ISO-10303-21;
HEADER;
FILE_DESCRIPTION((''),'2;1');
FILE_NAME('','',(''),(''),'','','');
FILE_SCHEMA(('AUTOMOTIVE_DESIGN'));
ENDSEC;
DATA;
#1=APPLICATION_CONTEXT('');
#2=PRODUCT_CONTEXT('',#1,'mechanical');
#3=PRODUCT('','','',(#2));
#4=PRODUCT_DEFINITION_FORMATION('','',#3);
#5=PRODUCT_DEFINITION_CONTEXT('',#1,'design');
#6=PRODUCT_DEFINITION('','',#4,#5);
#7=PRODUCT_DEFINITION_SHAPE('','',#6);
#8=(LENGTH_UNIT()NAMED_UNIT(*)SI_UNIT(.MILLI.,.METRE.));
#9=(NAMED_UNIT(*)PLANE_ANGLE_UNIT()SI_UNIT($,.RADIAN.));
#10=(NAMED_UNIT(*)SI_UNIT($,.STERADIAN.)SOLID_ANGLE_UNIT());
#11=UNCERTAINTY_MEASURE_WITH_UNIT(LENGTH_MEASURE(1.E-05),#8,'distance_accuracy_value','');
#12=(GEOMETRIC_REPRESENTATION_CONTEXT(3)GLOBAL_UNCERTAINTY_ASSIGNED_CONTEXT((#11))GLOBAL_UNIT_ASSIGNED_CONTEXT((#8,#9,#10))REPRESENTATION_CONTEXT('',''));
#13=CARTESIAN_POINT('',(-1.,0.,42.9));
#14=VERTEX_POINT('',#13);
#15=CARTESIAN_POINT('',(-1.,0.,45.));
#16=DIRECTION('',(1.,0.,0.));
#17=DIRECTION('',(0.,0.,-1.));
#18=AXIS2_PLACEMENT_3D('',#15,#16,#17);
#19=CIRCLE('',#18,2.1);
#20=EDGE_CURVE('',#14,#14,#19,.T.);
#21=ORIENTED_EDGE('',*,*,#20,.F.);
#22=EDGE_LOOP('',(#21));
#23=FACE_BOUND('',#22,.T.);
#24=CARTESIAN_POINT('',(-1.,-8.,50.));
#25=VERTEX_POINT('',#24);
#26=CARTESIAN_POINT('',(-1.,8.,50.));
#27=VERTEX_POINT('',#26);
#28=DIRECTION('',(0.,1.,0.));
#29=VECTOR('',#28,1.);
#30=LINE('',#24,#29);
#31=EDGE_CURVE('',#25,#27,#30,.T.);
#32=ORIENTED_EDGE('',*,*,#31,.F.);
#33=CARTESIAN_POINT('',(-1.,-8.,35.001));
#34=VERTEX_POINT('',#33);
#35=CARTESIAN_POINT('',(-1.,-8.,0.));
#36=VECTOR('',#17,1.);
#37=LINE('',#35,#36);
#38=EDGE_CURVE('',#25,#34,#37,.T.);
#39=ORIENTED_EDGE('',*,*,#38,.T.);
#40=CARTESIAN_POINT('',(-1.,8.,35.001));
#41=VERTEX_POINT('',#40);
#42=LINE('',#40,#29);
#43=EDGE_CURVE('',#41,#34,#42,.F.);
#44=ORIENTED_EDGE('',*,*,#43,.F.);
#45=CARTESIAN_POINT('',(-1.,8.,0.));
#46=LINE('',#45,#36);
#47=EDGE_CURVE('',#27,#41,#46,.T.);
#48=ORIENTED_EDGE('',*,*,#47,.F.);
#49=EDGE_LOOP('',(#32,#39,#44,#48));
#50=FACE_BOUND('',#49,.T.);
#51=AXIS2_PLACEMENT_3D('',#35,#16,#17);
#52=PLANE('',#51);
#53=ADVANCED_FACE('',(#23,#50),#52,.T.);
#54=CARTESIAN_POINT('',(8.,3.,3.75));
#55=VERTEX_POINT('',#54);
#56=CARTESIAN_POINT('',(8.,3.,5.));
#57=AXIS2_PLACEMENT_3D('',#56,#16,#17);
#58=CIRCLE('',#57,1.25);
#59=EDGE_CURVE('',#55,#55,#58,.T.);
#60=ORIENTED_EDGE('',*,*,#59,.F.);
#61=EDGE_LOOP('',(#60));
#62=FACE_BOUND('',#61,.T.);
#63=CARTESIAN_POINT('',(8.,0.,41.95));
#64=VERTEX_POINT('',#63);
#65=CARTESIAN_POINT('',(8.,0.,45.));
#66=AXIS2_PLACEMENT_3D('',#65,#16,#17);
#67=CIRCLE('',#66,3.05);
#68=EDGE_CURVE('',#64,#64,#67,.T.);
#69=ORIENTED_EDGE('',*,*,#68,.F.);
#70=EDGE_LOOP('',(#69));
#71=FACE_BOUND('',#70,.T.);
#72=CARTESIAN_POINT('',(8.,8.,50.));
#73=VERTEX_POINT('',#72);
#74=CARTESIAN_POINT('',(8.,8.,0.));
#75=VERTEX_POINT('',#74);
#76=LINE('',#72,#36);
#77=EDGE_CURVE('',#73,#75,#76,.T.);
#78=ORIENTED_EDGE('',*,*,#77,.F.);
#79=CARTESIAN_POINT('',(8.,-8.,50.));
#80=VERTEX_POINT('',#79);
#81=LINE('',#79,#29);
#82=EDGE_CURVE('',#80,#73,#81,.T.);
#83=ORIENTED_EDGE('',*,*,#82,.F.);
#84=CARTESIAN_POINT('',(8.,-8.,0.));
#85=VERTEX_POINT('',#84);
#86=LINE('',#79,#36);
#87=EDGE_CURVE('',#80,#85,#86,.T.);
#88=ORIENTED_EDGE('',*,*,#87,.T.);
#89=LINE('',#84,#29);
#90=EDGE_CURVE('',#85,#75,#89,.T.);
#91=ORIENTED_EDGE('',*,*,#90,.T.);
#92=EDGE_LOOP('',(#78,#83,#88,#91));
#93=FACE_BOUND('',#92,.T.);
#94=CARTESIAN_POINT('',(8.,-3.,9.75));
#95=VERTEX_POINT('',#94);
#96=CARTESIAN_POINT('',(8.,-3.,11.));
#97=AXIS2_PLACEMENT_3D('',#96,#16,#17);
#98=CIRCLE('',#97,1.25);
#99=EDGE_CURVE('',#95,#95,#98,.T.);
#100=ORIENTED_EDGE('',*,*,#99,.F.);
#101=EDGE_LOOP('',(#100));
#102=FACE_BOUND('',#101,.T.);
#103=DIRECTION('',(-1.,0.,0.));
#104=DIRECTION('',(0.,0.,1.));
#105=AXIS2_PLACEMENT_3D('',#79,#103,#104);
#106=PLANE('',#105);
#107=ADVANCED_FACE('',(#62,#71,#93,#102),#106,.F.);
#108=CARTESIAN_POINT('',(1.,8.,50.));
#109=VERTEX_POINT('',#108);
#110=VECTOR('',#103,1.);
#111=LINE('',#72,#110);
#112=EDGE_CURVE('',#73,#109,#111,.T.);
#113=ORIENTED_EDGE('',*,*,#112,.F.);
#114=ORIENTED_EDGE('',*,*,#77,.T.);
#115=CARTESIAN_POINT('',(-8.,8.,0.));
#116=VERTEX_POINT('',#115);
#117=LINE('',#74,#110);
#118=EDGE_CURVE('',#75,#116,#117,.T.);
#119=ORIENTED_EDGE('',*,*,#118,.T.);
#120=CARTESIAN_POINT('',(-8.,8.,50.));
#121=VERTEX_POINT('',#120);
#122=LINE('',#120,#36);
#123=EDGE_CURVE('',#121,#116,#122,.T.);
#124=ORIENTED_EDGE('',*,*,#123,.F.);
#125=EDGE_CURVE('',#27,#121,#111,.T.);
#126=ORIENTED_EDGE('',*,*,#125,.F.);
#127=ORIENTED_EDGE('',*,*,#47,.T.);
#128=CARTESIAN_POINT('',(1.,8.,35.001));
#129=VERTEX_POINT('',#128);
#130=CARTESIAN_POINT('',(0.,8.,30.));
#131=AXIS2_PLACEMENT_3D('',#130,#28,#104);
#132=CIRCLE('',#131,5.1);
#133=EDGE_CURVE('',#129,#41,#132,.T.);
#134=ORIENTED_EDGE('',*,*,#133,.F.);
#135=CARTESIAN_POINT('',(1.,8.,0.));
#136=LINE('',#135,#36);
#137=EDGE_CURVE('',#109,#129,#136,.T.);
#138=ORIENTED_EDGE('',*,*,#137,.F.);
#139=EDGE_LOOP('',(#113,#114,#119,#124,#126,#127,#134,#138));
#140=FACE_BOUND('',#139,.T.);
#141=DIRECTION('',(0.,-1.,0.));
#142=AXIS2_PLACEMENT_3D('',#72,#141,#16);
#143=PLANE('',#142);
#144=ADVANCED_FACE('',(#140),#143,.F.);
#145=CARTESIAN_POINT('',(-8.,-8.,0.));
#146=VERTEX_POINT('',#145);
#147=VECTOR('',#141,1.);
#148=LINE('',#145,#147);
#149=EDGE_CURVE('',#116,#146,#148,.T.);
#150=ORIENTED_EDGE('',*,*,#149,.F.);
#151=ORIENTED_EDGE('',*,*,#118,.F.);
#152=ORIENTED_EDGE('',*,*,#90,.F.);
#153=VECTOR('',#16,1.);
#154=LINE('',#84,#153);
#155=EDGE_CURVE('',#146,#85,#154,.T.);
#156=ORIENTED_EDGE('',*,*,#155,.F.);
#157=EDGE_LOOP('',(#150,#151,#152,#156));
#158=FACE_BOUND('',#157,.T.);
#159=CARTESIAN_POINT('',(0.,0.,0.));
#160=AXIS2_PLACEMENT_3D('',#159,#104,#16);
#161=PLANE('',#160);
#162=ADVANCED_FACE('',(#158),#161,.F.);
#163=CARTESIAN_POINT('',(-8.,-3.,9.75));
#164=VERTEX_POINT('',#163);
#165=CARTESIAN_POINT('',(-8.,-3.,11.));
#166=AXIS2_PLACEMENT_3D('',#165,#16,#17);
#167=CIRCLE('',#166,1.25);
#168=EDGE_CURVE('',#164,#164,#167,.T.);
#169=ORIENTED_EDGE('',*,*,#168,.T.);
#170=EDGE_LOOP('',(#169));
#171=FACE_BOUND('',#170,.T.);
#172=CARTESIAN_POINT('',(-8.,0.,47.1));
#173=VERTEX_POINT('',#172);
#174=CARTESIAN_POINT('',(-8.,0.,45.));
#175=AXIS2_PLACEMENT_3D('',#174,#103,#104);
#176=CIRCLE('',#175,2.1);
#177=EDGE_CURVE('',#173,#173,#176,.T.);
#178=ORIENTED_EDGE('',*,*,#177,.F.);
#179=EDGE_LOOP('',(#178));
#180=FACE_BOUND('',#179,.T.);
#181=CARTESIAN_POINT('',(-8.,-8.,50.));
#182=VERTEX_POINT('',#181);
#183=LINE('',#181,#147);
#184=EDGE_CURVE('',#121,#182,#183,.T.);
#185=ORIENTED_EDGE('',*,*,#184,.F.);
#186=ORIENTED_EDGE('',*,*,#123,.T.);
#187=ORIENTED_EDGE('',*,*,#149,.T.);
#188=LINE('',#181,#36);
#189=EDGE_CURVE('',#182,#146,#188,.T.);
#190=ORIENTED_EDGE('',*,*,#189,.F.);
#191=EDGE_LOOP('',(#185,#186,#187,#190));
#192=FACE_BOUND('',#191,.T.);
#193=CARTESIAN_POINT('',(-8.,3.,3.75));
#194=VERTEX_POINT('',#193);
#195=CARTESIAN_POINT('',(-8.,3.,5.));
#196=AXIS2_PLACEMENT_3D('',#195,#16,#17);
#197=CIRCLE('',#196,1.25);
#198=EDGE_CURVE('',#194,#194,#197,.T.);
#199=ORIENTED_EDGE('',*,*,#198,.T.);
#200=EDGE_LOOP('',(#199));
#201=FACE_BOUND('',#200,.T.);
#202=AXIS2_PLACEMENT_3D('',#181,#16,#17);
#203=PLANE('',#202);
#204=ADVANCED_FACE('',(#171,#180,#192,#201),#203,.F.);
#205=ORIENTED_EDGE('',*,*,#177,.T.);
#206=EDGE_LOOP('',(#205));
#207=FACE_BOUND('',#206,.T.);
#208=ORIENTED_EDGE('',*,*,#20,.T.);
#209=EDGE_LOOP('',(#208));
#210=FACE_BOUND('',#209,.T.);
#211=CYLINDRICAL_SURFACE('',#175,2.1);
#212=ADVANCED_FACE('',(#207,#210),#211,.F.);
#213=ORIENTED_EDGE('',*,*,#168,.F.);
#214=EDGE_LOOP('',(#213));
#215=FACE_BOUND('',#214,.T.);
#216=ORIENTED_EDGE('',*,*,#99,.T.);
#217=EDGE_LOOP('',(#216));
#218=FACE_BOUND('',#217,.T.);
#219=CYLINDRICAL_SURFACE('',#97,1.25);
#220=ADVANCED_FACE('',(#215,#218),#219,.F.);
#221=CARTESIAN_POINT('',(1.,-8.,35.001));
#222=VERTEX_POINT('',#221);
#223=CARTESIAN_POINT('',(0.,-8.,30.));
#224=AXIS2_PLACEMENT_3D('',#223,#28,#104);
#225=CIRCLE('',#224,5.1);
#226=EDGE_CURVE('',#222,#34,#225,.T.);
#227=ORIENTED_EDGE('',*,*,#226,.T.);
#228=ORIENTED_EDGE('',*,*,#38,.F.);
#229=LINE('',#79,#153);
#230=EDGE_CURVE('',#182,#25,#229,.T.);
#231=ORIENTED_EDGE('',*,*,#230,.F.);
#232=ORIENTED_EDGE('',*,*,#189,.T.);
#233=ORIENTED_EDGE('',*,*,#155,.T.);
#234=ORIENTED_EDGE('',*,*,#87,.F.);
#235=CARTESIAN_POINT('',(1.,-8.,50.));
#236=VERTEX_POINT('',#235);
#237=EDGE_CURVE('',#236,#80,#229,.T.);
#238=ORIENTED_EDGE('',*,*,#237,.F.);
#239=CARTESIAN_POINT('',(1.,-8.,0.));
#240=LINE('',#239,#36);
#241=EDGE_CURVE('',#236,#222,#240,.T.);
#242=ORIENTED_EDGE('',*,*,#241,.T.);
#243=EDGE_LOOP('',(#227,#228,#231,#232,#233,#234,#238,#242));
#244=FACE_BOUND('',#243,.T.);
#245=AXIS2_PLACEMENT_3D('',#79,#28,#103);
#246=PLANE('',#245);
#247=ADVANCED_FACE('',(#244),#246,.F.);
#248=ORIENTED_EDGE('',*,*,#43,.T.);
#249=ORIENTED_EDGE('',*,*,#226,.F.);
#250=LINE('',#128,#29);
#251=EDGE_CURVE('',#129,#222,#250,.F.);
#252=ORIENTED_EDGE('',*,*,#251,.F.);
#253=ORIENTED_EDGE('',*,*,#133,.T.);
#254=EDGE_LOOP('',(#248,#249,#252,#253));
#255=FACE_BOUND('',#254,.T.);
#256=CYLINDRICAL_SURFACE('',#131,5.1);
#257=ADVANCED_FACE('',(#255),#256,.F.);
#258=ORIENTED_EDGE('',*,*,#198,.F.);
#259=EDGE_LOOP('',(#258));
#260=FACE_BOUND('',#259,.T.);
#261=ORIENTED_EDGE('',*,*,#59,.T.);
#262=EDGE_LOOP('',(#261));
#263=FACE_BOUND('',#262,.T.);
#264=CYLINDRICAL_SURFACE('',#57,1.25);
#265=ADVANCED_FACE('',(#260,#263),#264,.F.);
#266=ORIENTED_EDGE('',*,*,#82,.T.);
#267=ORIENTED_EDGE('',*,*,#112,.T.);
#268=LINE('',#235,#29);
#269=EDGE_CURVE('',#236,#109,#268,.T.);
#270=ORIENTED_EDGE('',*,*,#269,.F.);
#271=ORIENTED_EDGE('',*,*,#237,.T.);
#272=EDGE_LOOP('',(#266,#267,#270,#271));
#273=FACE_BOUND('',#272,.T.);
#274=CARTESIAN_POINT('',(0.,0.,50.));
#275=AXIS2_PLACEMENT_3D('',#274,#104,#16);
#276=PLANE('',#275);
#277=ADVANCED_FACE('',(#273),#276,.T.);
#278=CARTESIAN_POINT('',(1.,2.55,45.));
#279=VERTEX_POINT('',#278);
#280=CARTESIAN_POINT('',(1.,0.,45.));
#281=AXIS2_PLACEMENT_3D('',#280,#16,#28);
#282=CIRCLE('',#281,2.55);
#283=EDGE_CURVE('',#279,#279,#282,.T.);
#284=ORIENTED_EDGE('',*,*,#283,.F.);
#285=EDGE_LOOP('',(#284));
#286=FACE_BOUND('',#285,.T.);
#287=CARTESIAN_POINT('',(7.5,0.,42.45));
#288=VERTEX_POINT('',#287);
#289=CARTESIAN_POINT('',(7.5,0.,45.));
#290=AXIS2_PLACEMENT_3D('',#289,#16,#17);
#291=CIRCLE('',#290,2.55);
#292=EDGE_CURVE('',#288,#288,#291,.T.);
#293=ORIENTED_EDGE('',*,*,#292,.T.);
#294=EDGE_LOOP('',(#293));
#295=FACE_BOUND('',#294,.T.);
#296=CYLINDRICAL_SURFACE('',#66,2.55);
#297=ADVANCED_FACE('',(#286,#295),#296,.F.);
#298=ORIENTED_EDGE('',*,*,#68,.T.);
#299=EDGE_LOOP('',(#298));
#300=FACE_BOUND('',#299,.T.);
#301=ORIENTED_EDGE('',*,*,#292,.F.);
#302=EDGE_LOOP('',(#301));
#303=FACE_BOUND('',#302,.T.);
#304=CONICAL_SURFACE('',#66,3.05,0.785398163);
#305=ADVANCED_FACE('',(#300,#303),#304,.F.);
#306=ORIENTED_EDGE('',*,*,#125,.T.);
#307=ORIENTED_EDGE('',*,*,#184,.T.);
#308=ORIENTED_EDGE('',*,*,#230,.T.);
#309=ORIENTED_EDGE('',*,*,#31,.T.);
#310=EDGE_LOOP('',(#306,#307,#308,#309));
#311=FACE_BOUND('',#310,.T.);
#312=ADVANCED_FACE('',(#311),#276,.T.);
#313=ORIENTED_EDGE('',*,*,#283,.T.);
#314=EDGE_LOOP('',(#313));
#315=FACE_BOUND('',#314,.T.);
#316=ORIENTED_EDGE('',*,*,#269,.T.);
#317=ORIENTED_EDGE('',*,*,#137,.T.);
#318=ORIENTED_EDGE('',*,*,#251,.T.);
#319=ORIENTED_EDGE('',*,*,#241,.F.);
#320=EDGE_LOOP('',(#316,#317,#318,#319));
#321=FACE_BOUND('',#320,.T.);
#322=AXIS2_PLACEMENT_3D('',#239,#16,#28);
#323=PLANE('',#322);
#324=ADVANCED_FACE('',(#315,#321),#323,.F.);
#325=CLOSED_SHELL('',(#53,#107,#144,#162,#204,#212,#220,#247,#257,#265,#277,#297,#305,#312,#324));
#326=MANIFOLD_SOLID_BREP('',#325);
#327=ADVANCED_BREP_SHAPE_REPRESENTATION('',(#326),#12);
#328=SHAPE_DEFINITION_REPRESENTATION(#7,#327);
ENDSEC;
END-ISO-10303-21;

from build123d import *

# Parameters (mm, degrees)
SKETCH1_W                                 = 16
SKETCH1_H                                 = 16
BASE_DEPTH                                = 50
SKETCH2_W                                 = 2
SKETCH2_H                                 = 16
RODSLOT_DEPTH                             = 54.103672189
F_5_1_5_1_FREE_HOLE_FOR_SCREW_D           = 5.1
F_5_1_5_1_FREE_HOLE_FOR_SCREW_DEPTH       = 7.5
F_5_1_5_1_FREE_HOLE_FOR_SCREW_CSINK_D     = 6.1
F_5_1_5_1_FREE_HOLE_FOR_SCREW_CSINK_ANGLE = 90
F_5_1_5_1_FREE_HOLE_FOR_SCREW_TIP         = 1.056244584
M5X0_8_TAPPED_HOLE_FOR_ROD_SCREW_D        = 4.2
M5X0_8_TAPPED_HOLE_FOR_ROD_SCREW_DEPTH    = 7.6381927
M5X0_8_TAPPED_HOLE_FOR_ROD_SCREW_TIP      = 1.2618073
F_3_1_3_1_SCREW_HOLES_D                   = 2.5
F_10_2_10_2_ROD_HOLE_D                    = 10.2


with BuildPart() as part:
    # Sketch1 → Base (new body)
    with BuildSketch(Plane.XY):
        Rectangle(SKETCH1_W, SKETCH1_H)
    extrude(amount=BASE_DEPTH)

    # Sketch2 → RodSlot (cut, through all)
    with BuildSketch(Plane(origin=(0, 8, 0), x_dir=(1, 0, 0), z_dir=(0, 1, 0))):
        with Locations((0, -42)):
            Rectangle(SKETCH2_W, SKETCH2_H)
    extrude(amount=-RODSLOT_DEPTH, mode=Mode.SUBTRACT)

    # Ø5.1 (5.1) free hole for screw
    with Locations(Plane(origin=(8, 0, 0), x_dir=(0, 0, -1), z_dir=(1, 0, 0))):
        with Locations((-45, 0)):
            CounterSinkHole(F_5_1_5_1_FREE_HOLE_FOR_SCREW_D / 2, F_5_1_5_1_FREE_HOLE_FOR_SCREW_CSINK_D / 2, depth=F_5_1_5_1_FREE_HOLE_FOR_SCREW_DEPTH, counter_sink_angle=F_5_1_5_1_FREE_HOLE_FOR_SCREW_CSINK_ANGLE)
            with Locations((0, 0, -(F_5_1_5_1_FREE_HOLE_FOR_SCREW_DEPTH + F_5_1_5_1_FREE_HOLE_FOR_SCREW_TIP / 2))):  # 135° drill point
                Cone(0, F_5_1_5_1_FREE_HOLE_FOR_SCREW_D / 2, F_5_1_5_1_FREE_HOLE_FOR_SCREW_TIP, mode=Mode.SUBTRACT)

    # M5x0.8 Tapped Hole for rod screw
    with Locations(Plane.ZY.offset(8)):
        with Locations((45, 0)):
            Hole(M5X0_8_TAPPED_HOLE_FOR_ROD_SCREW_D / 2, depth=M5X0_8_TAPPED_HOLE_FOR_ROD_SCREW_DEPTH)
            with Locations((0, 0, -(M5X0_8_TAPPED_HOLE_FOR_ROD_SCREW_DEPTH + M5X0_8_TAPPED_HOLE_FOR_ROD_SCREW_TIP / 2))):  # 118° drill point
                Cone(0, M5X0_8_TAPPED_HOLE_FOR_ROD_SCREW_D / 2, M5X0_8_TAPPED_HOLE_FOR_ROD_SCREW_TIP, mode=Mode.SUBTRACT)

    # Ø3.1 (3.1) screw holes (through all)
    with Locations(Plane.YZ.offset(8)):
        with Locations((3, 5), (-3, 11)):
            Hole(F_3_1_3_1_SCREW_HOLES_D / 2)

    # Ø10.2 (10.2) Rod Hole (through all)
    with Locations(Plane(origin=(0, 8, 0), x_dir=(1, 0, 0), z_dir=(0, 1, 0))):
        with Locations((0, -30)):
            Hole(F_10_2_10_2_ROD_HOLE_D / 2)


solid = part.part
